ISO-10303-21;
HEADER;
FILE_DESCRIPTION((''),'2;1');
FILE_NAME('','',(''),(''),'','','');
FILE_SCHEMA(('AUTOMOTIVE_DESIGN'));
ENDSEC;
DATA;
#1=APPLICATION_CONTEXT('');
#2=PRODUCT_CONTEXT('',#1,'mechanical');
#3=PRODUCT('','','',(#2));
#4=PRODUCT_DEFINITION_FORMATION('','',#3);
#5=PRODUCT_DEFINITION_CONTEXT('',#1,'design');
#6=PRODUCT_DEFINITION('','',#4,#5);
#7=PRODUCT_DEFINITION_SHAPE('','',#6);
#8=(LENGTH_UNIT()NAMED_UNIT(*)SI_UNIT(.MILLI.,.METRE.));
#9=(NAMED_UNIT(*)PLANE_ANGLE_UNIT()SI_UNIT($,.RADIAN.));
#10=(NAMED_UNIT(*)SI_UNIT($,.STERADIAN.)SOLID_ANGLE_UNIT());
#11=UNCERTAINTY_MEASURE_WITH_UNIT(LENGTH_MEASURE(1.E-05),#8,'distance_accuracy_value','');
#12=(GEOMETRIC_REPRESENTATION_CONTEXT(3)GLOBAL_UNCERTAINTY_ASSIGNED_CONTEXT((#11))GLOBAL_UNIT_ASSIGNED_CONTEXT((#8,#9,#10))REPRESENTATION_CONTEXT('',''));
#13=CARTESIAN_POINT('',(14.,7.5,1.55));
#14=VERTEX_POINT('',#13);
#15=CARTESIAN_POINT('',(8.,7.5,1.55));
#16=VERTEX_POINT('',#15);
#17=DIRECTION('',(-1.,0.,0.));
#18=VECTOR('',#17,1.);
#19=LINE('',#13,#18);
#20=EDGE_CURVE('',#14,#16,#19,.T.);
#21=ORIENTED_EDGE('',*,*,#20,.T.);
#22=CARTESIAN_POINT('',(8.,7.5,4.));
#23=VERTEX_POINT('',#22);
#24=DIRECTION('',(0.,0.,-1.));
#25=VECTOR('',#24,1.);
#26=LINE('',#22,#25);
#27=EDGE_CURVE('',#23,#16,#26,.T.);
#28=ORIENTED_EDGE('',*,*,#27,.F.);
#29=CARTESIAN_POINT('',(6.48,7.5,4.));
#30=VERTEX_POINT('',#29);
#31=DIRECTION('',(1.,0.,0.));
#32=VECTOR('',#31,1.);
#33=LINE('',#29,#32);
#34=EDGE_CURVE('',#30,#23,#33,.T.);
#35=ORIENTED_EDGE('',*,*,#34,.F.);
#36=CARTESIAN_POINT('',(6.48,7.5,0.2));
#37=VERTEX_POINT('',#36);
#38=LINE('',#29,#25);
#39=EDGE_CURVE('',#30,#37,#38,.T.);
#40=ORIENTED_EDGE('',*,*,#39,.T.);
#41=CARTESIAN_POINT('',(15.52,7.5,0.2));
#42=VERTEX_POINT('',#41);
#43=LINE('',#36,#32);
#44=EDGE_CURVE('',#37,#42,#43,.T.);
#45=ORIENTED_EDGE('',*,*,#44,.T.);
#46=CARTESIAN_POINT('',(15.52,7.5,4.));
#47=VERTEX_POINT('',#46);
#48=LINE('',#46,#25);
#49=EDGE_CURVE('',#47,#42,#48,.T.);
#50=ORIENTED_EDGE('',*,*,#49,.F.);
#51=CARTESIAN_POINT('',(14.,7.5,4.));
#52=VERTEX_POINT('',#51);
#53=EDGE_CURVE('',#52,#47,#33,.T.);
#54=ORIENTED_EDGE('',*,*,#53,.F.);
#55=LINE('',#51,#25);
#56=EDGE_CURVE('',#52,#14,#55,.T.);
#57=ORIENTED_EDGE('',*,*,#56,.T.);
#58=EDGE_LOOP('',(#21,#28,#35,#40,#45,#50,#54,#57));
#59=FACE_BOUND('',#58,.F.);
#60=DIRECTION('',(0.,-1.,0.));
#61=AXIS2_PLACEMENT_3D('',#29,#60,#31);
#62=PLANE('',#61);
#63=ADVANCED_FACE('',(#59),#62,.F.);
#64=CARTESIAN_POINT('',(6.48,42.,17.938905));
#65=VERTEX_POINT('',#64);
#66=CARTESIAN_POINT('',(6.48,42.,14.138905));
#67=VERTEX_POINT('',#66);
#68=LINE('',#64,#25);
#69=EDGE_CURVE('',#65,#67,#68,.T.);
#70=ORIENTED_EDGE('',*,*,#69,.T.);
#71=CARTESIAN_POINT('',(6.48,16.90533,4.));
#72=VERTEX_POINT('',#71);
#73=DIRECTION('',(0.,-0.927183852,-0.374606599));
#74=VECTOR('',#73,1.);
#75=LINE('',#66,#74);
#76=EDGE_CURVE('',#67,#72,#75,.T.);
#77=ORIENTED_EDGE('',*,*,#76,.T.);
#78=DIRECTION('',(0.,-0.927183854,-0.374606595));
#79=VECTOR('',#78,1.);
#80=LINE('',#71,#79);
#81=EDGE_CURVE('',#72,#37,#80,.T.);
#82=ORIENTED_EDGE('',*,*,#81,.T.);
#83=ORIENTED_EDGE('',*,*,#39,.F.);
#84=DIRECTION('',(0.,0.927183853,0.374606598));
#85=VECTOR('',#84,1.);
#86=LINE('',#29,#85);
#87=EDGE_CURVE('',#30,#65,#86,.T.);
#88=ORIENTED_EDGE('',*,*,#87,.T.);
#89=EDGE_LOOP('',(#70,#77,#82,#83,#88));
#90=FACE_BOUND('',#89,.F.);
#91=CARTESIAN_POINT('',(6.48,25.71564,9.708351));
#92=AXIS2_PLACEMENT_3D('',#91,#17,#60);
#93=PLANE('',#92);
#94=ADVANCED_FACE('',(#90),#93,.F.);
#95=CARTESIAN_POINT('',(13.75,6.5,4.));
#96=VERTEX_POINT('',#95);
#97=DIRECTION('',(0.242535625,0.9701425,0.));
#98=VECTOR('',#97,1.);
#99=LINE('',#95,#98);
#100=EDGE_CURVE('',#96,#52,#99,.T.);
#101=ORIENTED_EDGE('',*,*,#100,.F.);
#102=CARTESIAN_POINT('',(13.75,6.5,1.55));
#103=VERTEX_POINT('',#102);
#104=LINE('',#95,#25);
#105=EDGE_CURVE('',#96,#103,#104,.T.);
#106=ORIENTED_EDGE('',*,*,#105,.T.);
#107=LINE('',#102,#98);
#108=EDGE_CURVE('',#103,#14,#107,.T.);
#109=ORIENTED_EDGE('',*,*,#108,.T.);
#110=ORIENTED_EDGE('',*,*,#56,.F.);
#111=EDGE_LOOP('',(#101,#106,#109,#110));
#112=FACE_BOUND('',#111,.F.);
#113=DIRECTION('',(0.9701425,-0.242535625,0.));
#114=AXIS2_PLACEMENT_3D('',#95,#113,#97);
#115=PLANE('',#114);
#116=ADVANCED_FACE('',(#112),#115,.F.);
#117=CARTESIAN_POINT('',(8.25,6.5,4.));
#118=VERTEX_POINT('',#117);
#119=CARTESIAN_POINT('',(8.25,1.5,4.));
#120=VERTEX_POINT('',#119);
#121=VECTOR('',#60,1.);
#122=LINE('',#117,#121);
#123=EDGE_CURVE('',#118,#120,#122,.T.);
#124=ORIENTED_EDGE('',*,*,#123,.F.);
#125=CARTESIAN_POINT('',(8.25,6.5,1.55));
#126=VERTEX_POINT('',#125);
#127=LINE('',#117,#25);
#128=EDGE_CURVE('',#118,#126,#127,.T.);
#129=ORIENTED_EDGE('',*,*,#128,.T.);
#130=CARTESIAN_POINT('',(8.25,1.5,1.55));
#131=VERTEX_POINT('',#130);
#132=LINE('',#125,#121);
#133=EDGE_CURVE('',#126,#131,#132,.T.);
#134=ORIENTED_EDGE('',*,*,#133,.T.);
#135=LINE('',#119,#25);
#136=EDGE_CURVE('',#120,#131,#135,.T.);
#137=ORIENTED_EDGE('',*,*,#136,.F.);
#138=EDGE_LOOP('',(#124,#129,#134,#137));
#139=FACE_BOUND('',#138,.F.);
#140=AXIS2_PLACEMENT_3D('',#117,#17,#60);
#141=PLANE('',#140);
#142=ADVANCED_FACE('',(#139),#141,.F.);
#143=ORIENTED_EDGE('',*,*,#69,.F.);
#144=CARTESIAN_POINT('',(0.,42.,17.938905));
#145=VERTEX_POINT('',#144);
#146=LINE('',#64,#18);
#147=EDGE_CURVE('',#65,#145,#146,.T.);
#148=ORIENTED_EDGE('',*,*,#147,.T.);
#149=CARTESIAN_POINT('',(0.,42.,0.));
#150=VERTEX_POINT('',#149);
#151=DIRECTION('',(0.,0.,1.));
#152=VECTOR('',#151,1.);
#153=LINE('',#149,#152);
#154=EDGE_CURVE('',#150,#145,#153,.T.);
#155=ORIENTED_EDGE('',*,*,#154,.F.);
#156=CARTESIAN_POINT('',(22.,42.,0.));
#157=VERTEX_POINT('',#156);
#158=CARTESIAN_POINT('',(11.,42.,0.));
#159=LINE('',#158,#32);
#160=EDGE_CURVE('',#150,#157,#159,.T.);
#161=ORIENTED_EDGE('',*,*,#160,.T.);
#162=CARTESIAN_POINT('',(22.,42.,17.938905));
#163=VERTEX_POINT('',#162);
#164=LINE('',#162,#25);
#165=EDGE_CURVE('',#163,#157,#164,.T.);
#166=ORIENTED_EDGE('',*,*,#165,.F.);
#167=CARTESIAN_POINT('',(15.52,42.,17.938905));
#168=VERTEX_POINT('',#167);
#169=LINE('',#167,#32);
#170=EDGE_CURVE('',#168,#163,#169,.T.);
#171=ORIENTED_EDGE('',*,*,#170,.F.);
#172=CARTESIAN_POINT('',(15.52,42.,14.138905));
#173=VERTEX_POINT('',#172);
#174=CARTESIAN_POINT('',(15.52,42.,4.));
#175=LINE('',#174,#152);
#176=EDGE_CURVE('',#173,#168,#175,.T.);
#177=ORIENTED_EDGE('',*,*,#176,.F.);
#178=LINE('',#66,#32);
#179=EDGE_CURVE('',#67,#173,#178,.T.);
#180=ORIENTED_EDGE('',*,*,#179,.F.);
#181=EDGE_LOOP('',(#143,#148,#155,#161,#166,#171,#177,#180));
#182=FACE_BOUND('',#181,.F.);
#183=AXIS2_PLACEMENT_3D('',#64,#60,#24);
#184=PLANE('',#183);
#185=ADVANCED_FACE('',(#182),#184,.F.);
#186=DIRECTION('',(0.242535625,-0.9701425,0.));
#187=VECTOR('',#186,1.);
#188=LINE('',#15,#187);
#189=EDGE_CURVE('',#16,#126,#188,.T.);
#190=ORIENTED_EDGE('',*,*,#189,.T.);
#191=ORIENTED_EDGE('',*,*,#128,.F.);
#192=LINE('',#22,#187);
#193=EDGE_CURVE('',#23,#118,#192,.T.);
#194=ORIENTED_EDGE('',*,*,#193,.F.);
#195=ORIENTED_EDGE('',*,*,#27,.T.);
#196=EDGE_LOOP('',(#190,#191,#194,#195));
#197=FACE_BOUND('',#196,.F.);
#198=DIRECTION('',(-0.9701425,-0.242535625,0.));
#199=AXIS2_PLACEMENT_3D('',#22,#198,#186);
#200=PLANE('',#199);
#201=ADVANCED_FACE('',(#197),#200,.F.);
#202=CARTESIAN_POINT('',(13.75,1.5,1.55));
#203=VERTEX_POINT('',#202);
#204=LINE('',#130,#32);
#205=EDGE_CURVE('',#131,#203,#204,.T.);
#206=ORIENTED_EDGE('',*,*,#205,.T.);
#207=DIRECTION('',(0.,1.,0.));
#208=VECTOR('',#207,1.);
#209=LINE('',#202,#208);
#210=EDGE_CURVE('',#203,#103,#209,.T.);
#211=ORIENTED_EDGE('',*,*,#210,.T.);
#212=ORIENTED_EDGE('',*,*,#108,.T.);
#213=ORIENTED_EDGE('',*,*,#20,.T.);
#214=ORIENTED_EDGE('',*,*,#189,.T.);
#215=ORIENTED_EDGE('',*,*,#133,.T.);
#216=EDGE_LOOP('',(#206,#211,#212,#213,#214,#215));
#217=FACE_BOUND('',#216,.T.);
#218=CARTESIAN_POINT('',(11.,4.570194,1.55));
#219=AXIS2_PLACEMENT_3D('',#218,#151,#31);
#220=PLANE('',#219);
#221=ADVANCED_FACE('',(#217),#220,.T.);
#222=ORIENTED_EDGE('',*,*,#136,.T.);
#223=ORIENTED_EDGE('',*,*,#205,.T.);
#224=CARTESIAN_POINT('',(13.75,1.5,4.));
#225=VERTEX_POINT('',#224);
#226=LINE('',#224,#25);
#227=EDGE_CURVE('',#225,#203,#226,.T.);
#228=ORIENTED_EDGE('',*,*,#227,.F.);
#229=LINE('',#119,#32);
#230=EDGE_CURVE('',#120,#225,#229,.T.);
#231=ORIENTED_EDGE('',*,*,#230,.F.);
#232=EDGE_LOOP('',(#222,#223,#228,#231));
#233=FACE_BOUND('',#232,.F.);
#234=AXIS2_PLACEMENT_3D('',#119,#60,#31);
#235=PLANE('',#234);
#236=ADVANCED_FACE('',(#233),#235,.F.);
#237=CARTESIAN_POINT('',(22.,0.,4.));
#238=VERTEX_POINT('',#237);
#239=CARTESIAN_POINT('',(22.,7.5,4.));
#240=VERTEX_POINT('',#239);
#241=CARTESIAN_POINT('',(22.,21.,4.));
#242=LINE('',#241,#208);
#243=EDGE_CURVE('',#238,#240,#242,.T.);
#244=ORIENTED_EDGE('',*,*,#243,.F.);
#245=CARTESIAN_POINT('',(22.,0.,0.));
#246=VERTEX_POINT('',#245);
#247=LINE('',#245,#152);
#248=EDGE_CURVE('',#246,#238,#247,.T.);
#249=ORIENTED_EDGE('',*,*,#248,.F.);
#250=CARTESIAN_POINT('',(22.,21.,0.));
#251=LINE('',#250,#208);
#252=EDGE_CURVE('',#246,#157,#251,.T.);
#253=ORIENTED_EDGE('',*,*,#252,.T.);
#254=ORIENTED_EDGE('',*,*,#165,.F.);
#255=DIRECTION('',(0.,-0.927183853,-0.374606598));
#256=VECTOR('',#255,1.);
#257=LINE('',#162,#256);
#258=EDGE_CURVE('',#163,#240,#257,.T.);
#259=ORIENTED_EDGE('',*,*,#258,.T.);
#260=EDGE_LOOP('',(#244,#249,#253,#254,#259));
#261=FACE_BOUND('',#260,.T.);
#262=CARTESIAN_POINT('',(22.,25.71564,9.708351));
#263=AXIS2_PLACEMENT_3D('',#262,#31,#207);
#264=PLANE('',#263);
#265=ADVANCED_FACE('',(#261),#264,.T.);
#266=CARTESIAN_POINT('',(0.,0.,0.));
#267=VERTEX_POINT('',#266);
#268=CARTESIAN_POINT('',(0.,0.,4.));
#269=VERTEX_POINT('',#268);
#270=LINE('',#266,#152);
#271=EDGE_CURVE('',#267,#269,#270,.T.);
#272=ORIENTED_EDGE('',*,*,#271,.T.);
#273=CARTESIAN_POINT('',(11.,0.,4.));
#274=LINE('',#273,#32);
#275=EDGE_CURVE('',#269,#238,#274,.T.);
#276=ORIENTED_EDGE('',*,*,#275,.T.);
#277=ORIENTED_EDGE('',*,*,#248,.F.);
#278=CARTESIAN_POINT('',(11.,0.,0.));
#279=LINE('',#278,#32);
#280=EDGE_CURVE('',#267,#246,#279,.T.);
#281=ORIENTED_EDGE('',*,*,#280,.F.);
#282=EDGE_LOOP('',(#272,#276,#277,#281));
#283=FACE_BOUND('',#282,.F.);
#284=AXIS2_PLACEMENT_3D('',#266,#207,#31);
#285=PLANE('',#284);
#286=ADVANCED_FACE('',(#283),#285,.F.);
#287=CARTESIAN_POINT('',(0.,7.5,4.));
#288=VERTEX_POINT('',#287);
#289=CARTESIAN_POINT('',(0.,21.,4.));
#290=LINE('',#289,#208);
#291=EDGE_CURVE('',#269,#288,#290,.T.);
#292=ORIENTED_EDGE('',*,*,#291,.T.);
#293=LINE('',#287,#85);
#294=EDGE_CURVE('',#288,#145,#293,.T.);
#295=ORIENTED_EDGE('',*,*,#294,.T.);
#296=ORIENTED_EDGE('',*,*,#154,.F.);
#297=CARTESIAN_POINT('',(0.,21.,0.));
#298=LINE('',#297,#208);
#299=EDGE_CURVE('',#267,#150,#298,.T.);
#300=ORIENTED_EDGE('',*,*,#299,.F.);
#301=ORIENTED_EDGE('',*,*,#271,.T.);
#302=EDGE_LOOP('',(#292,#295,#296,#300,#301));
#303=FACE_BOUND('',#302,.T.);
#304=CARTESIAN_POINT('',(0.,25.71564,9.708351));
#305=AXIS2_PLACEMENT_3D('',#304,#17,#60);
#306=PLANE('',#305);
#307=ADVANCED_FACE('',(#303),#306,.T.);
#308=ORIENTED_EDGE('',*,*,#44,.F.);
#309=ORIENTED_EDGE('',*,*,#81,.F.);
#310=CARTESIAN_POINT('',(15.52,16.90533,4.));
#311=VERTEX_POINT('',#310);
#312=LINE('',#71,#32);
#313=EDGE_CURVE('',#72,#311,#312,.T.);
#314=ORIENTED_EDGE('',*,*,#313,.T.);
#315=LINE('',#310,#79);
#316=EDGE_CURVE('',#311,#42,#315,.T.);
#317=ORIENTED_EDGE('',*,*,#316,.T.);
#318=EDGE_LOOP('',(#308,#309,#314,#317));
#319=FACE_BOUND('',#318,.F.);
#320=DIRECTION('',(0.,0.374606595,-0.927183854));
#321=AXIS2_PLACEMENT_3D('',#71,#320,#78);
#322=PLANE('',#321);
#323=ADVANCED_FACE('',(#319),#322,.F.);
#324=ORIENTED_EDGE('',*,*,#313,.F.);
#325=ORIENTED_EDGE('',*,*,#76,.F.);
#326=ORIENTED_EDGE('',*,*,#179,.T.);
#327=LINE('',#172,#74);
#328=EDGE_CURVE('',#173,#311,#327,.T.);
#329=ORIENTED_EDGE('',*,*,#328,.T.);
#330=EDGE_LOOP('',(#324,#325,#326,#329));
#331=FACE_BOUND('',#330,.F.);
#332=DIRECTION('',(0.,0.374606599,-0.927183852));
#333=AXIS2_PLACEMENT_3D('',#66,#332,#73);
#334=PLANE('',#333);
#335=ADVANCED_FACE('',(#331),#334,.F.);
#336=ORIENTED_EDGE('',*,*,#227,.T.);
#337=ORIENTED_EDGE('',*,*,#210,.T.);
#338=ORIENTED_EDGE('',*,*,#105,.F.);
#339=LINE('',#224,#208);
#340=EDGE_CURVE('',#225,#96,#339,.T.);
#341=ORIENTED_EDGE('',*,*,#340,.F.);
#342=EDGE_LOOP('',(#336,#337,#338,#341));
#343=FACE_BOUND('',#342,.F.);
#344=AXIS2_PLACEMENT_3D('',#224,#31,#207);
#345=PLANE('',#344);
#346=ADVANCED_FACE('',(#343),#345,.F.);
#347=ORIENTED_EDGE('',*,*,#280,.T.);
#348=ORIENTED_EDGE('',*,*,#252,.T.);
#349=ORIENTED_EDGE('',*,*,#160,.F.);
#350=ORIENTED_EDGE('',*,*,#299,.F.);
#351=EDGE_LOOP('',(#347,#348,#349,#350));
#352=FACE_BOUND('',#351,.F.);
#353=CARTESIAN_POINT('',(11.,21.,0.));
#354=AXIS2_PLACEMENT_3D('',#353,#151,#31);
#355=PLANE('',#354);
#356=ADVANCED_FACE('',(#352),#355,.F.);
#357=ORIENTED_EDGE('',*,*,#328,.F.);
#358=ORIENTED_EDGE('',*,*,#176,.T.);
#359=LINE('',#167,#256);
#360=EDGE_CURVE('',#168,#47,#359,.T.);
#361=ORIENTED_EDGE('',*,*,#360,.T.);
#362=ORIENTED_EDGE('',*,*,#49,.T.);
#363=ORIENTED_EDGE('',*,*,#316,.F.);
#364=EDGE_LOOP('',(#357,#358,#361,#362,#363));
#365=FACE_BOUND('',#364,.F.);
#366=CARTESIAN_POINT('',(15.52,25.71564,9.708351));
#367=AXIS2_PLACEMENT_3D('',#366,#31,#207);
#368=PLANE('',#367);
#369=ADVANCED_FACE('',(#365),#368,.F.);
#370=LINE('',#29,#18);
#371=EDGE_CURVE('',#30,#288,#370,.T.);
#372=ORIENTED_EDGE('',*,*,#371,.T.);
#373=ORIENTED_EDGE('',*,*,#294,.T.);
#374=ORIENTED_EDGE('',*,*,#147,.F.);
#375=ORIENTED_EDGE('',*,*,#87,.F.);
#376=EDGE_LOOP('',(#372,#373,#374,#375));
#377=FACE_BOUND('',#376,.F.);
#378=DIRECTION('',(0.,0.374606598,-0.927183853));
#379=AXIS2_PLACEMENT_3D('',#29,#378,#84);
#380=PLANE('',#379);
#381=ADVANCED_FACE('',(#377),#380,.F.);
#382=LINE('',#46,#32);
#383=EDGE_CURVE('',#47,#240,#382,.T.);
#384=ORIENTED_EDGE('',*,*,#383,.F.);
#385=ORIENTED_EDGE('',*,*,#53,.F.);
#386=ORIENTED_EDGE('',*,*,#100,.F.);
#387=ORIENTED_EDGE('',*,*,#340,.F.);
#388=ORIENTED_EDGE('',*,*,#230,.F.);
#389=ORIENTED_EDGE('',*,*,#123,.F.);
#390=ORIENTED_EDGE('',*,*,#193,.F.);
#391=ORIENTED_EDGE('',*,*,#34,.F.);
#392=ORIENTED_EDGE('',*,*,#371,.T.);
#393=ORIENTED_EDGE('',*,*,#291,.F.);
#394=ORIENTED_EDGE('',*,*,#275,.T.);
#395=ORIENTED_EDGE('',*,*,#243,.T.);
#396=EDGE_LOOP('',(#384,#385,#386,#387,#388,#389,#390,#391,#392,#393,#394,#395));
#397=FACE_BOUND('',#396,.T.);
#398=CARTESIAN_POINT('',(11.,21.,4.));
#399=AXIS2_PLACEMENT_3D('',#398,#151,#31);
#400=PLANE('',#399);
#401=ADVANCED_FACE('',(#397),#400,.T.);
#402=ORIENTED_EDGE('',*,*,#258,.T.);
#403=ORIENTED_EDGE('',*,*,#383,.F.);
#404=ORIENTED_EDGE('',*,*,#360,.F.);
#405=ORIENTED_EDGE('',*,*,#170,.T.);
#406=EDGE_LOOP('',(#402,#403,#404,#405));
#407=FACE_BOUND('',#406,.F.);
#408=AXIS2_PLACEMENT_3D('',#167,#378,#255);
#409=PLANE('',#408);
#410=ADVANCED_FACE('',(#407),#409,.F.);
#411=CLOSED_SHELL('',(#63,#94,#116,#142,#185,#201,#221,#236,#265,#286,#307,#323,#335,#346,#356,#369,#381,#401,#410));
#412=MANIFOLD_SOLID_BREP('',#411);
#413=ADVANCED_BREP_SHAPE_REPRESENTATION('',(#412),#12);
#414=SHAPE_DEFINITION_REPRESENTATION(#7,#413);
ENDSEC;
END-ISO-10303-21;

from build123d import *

# Parameters (mm, degrees)
F0_W      = 22
F0_H      = 42
F1_DEPTH  = 4
F3_DEPTH  = 2.45
F5_DEPTH  = 3.8
F7_DEPTH  = 9.04
F9_DEPTH  = 6.48
F11_DEPTH = 6.48


with BuildPart() as f1:
    # F0 (on Top) → F1 (new body)
    with BuildSketch(Plane.XY):
        with Locations((11, 21)):
            Rectangle(F0_W, F0_H)
    extrude(amount=F1_DEPTH)

    # F2 (on face) → F3 (cut)
    with BuildSketch(Plane.XY.offset(4)):
        Polygon((8.25, 6.5), (8.25, 1.5), (13.75, 1.5), (13.75, 6.5), (14, 7.5), (8, 7.5), align=None)
    extrude(amount=-F3_DEPTH, mode=Mode.SUBTRACT)

    # F4 (on face) → F5 (cut)
    with BuildSketch(Plane.XY.offset(4)):
        Polygon((8, 7.5), (11, 7.5), (14, 7.5), (15.52, 7.5), (15.52, 42), (6.48, 42), (6.48, 7.5), align=None)
    extrude(amount=-F5_DEPTH, mode=Mode.SUBTRACT)

    # F6 (on face) → F7 (join)
    with BuildSketch(Plane.YZ.offset(6.48)):
        Polygon((42, 14.138905), (16.90533, 4), (42, 4), align=None)
        Polygon((16.90533, 4), (7.5, 0.2), (36.424737, 0.2), (42, 0.2), (42, 4), align=None)
    extrude(amount=F7_DEPTH)

    # F8 (on face) → F9 (join)
    with BuildSketch(Plane.YZ.offset(15.52)):
        Polygon((16.90533, 4), (42, 14.138905), (42, 17.938905), (7.5, 4), align=None)
        Polygon((42, 4), (42, 14.138905), (16.90533, 4), align=None)
    extrude(amount=F9_DEPTH)

    # F10 (on face) → F11 (join)
    with BuildSketch(Plane(origin=(6.48, 0, 0), x_dir=(0, -1, 0), z_dir=(-1, 0, 0))):
        Polygon((-42, 17.938905), (-42, 14.138905), (-16.90533, 4), (-7.5, 4), align=None)
        Polygon((-16.90533, 4), (-42, 14.138905), (-42, 4), align=None)
    extrude(amount=F11_DEPTH)


solid = f1.part
